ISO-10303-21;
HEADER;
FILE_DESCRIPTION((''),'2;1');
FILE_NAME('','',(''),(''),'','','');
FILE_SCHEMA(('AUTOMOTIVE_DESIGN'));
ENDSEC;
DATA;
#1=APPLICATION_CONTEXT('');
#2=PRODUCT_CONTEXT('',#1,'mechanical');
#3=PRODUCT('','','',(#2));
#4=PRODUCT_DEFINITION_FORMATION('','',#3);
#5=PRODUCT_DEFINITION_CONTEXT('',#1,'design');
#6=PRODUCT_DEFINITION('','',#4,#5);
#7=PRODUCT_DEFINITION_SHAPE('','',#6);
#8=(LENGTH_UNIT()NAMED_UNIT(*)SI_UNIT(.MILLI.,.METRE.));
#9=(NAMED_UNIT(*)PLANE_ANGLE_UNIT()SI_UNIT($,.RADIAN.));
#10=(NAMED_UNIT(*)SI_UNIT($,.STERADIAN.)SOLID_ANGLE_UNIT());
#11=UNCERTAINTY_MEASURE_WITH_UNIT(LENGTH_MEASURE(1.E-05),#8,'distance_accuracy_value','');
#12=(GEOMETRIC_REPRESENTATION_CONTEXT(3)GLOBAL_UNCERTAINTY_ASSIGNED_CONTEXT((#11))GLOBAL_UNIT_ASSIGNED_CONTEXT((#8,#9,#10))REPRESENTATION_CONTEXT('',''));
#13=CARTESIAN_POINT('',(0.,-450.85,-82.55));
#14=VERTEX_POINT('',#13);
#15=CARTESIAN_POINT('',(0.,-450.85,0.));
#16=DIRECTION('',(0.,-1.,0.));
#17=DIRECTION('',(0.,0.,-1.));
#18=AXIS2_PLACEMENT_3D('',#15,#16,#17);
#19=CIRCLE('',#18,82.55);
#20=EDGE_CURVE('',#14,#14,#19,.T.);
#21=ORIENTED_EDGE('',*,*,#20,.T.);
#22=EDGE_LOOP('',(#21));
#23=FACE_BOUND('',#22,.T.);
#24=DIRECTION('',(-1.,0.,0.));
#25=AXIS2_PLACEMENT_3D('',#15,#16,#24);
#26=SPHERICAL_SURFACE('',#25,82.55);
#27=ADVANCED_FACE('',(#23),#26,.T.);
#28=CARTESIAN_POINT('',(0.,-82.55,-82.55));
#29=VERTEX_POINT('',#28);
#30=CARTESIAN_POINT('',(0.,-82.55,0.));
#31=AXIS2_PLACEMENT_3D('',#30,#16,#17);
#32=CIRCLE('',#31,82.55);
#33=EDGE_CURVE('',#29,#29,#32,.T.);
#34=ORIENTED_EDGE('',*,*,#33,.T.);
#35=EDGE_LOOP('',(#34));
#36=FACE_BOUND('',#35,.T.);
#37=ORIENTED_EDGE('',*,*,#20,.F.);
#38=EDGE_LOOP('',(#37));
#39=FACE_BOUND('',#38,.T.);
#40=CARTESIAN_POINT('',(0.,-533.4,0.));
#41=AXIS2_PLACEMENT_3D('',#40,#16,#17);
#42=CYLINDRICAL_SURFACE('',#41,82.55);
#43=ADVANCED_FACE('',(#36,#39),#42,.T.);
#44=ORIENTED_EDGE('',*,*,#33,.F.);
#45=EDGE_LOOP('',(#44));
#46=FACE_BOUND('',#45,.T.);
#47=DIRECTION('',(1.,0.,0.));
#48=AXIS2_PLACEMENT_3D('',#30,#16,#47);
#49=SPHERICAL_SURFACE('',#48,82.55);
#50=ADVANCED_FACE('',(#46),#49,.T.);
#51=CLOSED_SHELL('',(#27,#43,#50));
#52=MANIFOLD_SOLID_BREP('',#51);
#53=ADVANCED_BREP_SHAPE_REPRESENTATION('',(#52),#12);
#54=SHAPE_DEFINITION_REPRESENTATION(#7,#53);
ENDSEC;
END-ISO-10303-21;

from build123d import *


with BuildPart() as part:
    # Sketch1 → Revolve1 (revolve)
    with BuildSketch(Plane.XY):
        with BuildLine():
            Line((-82.55, -82.55), (-82.55, -450.85))
            ThreePointArc((-82.55, -450.85), (-58.371664787, -509.221664787), (0, -533.4))
            Line((0, -533.4), (0, 0))
            ThreePointArc((0, 0), (-58.371664787, -24.178335213), (-82.55, -82.55))
        make_face()
    revolve(axis=Axis((0, -533.4, 0), (0, 1, 0)))


solid = part.part
